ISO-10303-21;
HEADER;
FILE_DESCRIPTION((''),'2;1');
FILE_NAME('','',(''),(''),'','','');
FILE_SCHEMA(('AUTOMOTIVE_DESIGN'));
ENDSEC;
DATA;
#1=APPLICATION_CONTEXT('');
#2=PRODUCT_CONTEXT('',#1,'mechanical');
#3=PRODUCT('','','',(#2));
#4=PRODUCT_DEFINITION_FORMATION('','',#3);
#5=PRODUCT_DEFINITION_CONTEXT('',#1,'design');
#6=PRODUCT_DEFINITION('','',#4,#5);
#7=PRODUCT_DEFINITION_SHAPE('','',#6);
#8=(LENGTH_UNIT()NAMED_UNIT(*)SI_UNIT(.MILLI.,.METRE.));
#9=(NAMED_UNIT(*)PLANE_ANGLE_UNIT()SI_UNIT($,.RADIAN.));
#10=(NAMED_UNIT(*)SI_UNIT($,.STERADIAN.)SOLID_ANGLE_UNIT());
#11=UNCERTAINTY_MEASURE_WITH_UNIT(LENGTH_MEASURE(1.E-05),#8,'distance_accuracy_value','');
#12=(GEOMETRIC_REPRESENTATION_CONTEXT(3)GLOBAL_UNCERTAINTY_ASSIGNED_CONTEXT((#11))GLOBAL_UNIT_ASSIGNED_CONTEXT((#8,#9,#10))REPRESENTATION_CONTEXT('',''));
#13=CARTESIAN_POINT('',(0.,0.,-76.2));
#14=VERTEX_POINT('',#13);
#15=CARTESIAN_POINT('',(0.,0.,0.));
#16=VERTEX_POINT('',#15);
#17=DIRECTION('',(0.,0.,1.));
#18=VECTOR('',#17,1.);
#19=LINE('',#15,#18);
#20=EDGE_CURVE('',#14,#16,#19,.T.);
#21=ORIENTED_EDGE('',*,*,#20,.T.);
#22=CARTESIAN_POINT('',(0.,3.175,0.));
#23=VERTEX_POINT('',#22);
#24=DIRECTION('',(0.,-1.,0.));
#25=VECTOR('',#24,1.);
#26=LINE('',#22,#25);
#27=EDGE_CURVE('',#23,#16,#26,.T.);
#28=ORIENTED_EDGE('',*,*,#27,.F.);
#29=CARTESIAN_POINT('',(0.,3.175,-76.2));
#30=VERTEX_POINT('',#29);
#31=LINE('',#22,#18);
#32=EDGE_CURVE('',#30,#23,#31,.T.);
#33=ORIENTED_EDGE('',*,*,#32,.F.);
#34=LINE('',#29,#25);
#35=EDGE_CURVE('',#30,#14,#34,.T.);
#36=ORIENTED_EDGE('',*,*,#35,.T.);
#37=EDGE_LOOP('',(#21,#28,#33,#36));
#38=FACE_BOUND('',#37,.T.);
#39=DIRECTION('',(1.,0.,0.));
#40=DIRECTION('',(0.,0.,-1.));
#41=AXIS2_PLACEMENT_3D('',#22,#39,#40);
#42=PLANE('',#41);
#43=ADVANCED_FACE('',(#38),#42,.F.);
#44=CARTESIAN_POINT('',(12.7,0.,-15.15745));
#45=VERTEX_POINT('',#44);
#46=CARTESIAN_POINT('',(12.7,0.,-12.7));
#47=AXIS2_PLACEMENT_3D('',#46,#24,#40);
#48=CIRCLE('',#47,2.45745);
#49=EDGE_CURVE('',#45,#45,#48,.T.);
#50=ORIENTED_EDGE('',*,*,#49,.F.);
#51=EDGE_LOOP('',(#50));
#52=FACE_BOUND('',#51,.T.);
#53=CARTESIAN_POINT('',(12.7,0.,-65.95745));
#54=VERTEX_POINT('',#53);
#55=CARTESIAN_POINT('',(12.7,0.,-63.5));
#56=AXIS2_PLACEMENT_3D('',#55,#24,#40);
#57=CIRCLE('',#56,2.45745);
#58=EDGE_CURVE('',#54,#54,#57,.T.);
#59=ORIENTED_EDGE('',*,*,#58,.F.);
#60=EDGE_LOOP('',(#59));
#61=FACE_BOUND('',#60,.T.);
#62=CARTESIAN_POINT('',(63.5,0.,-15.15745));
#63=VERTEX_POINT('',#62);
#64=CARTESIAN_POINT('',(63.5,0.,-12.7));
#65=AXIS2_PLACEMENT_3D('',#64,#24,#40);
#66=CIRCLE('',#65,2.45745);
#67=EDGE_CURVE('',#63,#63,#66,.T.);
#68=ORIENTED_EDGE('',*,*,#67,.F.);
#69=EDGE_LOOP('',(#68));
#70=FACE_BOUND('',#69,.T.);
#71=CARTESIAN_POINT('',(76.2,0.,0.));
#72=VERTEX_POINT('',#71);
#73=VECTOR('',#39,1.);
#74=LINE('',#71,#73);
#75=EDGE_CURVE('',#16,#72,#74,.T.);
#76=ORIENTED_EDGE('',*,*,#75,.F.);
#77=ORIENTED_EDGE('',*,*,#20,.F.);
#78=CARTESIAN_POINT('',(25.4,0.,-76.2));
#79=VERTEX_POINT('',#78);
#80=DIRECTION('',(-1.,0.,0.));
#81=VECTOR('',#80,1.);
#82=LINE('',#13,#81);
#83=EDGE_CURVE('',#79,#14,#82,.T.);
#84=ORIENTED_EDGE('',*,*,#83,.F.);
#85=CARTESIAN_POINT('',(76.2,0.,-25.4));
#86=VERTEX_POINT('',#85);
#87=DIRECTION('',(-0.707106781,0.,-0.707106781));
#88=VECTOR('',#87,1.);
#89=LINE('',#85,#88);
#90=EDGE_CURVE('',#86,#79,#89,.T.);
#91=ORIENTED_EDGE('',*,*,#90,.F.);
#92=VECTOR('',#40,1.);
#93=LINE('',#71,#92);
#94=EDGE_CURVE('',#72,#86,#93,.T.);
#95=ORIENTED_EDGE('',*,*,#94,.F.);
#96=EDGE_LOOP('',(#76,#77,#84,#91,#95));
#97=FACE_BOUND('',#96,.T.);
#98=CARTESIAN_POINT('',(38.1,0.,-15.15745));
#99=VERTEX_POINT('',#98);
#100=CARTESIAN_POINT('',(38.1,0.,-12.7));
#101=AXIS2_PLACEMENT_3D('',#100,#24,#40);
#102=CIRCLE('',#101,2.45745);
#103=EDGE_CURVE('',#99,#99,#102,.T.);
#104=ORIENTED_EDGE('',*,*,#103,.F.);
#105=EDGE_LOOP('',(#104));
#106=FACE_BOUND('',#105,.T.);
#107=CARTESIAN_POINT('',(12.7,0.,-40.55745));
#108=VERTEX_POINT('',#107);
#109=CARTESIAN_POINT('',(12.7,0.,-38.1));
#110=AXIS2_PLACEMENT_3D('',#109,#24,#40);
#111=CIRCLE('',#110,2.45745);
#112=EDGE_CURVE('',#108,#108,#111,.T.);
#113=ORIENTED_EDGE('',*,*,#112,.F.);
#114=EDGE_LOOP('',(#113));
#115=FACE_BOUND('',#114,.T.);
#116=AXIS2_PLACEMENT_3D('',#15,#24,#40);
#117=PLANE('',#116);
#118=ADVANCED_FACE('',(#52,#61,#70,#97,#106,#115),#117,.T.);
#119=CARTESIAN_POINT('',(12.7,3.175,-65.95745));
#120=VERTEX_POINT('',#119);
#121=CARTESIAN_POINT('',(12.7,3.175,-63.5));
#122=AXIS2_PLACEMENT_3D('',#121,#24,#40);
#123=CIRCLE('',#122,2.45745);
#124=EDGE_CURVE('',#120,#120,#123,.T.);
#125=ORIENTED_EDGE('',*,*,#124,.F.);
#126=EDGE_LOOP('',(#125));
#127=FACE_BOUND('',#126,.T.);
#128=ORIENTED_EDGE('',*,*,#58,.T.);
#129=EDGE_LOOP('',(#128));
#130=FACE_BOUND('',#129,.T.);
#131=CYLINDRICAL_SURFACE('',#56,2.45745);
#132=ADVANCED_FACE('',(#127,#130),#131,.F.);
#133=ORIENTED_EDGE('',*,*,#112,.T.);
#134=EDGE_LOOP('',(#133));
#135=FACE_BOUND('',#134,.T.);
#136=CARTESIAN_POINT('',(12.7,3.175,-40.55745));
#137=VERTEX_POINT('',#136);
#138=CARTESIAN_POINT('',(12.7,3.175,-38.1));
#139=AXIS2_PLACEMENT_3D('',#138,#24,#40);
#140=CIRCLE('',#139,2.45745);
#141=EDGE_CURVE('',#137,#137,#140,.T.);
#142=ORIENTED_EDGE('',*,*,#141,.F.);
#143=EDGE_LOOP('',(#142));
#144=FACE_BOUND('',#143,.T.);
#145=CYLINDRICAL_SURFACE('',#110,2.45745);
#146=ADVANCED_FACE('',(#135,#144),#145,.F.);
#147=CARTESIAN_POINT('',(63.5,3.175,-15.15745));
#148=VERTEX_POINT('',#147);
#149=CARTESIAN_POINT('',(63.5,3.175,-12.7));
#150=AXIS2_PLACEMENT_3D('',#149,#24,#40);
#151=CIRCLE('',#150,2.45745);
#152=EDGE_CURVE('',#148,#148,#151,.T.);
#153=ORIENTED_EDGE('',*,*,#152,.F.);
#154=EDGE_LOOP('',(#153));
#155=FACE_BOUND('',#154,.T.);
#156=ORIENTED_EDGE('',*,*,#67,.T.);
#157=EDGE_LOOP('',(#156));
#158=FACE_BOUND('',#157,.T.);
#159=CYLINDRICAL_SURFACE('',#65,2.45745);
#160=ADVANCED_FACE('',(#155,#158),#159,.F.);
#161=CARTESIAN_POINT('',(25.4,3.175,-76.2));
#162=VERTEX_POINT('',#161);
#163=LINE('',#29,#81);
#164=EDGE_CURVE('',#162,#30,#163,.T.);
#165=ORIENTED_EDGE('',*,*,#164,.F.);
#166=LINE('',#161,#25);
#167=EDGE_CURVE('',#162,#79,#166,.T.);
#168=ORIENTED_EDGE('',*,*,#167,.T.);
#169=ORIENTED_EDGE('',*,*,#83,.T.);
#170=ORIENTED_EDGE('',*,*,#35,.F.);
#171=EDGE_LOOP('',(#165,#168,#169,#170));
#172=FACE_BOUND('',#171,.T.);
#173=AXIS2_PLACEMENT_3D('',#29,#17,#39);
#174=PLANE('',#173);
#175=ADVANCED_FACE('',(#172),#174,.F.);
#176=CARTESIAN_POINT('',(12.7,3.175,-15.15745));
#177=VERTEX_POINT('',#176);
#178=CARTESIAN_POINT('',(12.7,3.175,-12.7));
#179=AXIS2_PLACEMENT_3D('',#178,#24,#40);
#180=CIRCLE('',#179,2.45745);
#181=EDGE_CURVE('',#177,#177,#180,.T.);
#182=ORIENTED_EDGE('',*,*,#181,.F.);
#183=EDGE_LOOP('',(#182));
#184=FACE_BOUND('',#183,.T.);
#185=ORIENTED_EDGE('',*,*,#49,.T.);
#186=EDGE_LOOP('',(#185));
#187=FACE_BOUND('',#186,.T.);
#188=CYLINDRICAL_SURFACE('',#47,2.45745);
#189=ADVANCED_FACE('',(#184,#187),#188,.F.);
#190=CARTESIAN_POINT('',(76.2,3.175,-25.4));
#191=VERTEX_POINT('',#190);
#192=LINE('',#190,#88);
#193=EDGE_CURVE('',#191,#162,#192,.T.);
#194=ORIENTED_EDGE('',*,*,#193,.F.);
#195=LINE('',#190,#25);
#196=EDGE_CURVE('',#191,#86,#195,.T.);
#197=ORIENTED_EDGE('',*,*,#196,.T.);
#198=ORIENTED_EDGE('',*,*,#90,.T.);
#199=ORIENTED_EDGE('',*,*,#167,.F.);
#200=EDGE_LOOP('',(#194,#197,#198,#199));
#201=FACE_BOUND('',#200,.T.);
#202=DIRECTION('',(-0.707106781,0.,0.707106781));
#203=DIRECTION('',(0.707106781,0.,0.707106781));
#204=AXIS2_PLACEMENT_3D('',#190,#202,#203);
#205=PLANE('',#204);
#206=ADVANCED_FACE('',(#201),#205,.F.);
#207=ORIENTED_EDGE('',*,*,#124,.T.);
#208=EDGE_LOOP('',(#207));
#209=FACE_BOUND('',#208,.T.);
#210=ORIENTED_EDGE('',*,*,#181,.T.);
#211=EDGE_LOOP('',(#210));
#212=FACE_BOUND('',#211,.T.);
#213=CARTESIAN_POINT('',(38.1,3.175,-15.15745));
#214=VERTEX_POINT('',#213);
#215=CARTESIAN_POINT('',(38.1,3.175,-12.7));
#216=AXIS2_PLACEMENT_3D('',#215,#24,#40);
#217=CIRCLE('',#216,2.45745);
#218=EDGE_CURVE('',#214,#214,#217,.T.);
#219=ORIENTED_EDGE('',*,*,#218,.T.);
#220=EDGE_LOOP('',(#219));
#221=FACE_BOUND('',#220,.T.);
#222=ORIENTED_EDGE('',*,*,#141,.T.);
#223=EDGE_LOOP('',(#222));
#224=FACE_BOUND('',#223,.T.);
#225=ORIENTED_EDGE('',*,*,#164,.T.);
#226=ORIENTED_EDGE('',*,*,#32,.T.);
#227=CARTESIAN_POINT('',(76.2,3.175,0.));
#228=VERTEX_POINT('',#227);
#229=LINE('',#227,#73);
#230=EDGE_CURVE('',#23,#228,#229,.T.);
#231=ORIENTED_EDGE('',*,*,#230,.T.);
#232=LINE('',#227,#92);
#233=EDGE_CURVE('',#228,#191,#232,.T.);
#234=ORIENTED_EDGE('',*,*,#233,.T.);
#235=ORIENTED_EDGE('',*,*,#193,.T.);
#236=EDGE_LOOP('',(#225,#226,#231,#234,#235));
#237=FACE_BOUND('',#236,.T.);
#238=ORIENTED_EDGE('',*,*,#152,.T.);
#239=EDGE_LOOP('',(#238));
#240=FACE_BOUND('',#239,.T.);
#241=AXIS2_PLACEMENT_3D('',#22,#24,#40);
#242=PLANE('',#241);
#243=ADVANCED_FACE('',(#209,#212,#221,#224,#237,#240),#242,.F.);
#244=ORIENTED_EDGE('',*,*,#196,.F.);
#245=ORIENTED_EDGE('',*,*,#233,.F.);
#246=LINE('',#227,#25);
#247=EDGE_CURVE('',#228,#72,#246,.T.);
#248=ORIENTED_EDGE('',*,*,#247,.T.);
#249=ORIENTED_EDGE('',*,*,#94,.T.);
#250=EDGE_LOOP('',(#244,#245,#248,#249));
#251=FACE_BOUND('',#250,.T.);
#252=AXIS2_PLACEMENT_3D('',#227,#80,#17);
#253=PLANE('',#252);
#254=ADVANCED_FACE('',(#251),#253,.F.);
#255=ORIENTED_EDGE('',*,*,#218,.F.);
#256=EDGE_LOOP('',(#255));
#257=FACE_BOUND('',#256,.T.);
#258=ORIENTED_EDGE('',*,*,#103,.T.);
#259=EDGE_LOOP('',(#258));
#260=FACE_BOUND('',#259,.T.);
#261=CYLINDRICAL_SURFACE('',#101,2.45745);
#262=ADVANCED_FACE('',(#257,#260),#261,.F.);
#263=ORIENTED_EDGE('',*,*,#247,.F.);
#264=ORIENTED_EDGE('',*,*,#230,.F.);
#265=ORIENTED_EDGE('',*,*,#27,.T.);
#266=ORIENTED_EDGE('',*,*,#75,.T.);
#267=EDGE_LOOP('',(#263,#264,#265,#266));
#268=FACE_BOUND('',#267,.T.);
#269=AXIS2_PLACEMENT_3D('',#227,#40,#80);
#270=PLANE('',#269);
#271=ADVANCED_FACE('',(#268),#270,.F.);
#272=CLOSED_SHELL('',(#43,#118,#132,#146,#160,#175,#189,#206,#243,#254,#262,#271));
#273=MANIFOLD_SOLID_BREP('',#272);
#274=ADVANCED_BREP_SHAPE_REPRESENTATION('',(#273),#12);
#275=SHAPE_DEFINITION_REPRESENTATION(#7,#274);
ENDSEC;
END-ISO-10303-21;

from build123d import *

# Parameters (mm, degrees)
BOSS_EXTRUDE1_DEPTH              = 3.175
F_10_0_1935_DIAMETER_HOLE1_D     = 4.9149
F_10_0_1935_DIAMETER_HOLE1_DEPTH = 25.4
F_10_0_1935_DIAMETER_HOLE1_TIP   = 1.476584928


with BuildPart() as part:
    # Sketch1 → Boss-Extrude1 (new body)
    with BuildSketch(Plane(origin=(0, 0, 0), x_dir=(1, 0, 0), z_dir=(0, 1, 0))):
        Polygon((0, 0), (0, 76.2), (25.4, 76.2), (76.2, 25.4), (76.2, 0), align=None)
    extrude(amount=BOSS_EXTRUDE1_DEPTH)

    # #10 (0.1935) Diameter Hole1
    with Locations(Plane(origin=(0, 0, 0), x_dir=(-1, 0, 0), z_dir=(0, -1, 0))):
        with Locations((-12.7, 12.7), (-12.7, 38.1), (-12.7, 63.5), (-38.1, 12.7), (-63.5, 12.7)):
            Hole(F_10_0_1935_DIAMETER_HOLE1_D / 2, depth=F_10_0_1935_DIAMETER_HOLE1_DEPTH)
            with Locations((0, 0, -(F_10_0_1935_DIAMETER_HOLE1_DEPTH + F_10_0_1935_DIAMETER_HOLE1_TIP / 2))):  # 118° drill point
                Cone(0, F_10_0_1935_DIAMETER_HOLE1_D / 2, F_10_0_1935_DIAMETER_HOLE1_TIP, mode=Mode.SUBTRACT)


solid = part.part
